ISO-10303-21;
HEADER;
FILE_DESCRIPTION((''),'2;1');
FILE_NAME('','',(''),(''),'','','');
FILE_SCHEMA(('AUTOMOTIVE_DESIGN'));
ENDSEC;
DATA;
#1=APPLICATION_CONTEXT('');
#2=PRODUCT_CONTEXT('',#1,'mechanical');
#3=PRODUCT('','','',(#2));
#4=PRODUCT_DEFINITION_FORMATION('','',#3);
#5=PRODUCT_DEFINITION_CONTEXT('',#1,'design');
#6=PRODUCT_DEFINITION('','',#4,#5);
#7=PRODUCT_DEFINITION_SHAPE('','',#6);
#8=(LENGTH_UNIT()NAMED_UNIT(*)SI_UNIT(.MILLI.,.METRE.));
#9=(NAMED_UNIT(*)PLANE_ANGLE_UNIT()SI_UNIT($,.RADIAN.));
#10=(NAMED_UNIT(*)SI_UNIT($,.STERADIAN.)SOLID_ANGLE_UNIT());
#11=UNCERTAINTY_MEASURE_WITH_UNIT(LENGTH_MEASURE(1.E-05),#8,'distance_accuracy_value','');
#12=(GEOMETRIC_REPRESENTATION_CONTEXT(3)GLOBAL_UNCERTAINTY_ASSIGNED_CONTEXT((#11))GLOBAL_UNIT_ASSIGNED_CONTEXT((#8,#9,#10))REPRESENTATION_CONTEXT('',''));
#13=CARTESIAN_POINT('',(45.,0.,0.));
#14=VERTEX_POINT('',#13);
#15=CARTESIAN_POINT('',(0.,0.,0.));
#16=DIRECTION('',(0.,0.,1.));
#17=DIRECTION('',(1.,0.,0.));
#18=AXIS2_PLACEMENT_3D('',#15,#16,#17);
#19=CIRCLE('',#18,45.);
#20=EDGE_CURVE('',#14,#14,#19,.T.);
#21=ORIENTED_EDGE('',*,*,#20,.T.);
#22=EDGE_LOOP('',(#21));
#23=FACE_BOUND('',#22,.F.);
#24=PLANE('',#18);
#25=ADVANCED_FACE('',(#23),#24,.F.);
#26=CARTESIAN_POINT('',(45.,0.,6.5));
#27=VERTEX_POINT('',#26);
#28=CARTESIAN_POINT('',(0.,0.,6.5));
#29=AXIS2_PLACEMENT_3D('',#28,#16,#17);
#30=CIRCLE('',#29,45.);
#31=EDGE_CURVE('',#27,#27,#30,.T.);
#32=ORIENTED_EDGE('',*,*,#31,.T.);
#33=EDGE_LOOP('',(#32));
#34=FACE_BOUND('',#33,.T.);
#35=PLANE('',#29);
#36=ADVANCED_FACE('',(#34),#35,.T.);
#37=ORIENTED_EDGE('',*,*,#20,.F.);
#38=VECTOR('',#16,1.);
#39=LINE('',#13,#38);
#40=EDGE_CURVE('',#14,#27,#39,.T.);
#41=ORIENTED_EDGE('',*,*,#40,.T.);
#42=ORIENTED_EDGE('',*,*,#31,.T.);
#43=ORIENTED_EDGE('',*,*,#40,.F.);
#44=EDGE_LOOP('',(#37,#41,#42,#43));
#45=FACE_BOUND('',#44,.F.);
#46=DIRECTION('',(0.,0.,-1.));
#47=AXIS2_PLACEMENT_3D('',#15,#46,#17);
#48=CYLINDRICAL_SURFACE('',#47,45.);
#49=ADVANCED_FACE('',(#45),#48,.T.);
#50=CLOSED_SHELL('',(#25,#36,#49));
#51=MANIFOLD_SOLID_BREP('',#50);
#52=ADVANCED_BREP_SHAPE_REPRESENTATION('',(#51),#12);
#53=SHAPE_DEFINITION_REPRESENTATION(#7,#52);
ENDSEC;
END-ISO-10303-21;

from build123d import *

# Parameters (mm, degrees)
SKETCH_1_R  = 45
PAD_1_DEPTH = 6.5


with BuildPart() as part:
    # Sketch_1 → Pad_1 (new body)
    with BuildSketch(Plane.XY):
        Circle(SKETCH_1_R)
    extrude(amount=PAD_1_DEPTH)


solid = part.part
